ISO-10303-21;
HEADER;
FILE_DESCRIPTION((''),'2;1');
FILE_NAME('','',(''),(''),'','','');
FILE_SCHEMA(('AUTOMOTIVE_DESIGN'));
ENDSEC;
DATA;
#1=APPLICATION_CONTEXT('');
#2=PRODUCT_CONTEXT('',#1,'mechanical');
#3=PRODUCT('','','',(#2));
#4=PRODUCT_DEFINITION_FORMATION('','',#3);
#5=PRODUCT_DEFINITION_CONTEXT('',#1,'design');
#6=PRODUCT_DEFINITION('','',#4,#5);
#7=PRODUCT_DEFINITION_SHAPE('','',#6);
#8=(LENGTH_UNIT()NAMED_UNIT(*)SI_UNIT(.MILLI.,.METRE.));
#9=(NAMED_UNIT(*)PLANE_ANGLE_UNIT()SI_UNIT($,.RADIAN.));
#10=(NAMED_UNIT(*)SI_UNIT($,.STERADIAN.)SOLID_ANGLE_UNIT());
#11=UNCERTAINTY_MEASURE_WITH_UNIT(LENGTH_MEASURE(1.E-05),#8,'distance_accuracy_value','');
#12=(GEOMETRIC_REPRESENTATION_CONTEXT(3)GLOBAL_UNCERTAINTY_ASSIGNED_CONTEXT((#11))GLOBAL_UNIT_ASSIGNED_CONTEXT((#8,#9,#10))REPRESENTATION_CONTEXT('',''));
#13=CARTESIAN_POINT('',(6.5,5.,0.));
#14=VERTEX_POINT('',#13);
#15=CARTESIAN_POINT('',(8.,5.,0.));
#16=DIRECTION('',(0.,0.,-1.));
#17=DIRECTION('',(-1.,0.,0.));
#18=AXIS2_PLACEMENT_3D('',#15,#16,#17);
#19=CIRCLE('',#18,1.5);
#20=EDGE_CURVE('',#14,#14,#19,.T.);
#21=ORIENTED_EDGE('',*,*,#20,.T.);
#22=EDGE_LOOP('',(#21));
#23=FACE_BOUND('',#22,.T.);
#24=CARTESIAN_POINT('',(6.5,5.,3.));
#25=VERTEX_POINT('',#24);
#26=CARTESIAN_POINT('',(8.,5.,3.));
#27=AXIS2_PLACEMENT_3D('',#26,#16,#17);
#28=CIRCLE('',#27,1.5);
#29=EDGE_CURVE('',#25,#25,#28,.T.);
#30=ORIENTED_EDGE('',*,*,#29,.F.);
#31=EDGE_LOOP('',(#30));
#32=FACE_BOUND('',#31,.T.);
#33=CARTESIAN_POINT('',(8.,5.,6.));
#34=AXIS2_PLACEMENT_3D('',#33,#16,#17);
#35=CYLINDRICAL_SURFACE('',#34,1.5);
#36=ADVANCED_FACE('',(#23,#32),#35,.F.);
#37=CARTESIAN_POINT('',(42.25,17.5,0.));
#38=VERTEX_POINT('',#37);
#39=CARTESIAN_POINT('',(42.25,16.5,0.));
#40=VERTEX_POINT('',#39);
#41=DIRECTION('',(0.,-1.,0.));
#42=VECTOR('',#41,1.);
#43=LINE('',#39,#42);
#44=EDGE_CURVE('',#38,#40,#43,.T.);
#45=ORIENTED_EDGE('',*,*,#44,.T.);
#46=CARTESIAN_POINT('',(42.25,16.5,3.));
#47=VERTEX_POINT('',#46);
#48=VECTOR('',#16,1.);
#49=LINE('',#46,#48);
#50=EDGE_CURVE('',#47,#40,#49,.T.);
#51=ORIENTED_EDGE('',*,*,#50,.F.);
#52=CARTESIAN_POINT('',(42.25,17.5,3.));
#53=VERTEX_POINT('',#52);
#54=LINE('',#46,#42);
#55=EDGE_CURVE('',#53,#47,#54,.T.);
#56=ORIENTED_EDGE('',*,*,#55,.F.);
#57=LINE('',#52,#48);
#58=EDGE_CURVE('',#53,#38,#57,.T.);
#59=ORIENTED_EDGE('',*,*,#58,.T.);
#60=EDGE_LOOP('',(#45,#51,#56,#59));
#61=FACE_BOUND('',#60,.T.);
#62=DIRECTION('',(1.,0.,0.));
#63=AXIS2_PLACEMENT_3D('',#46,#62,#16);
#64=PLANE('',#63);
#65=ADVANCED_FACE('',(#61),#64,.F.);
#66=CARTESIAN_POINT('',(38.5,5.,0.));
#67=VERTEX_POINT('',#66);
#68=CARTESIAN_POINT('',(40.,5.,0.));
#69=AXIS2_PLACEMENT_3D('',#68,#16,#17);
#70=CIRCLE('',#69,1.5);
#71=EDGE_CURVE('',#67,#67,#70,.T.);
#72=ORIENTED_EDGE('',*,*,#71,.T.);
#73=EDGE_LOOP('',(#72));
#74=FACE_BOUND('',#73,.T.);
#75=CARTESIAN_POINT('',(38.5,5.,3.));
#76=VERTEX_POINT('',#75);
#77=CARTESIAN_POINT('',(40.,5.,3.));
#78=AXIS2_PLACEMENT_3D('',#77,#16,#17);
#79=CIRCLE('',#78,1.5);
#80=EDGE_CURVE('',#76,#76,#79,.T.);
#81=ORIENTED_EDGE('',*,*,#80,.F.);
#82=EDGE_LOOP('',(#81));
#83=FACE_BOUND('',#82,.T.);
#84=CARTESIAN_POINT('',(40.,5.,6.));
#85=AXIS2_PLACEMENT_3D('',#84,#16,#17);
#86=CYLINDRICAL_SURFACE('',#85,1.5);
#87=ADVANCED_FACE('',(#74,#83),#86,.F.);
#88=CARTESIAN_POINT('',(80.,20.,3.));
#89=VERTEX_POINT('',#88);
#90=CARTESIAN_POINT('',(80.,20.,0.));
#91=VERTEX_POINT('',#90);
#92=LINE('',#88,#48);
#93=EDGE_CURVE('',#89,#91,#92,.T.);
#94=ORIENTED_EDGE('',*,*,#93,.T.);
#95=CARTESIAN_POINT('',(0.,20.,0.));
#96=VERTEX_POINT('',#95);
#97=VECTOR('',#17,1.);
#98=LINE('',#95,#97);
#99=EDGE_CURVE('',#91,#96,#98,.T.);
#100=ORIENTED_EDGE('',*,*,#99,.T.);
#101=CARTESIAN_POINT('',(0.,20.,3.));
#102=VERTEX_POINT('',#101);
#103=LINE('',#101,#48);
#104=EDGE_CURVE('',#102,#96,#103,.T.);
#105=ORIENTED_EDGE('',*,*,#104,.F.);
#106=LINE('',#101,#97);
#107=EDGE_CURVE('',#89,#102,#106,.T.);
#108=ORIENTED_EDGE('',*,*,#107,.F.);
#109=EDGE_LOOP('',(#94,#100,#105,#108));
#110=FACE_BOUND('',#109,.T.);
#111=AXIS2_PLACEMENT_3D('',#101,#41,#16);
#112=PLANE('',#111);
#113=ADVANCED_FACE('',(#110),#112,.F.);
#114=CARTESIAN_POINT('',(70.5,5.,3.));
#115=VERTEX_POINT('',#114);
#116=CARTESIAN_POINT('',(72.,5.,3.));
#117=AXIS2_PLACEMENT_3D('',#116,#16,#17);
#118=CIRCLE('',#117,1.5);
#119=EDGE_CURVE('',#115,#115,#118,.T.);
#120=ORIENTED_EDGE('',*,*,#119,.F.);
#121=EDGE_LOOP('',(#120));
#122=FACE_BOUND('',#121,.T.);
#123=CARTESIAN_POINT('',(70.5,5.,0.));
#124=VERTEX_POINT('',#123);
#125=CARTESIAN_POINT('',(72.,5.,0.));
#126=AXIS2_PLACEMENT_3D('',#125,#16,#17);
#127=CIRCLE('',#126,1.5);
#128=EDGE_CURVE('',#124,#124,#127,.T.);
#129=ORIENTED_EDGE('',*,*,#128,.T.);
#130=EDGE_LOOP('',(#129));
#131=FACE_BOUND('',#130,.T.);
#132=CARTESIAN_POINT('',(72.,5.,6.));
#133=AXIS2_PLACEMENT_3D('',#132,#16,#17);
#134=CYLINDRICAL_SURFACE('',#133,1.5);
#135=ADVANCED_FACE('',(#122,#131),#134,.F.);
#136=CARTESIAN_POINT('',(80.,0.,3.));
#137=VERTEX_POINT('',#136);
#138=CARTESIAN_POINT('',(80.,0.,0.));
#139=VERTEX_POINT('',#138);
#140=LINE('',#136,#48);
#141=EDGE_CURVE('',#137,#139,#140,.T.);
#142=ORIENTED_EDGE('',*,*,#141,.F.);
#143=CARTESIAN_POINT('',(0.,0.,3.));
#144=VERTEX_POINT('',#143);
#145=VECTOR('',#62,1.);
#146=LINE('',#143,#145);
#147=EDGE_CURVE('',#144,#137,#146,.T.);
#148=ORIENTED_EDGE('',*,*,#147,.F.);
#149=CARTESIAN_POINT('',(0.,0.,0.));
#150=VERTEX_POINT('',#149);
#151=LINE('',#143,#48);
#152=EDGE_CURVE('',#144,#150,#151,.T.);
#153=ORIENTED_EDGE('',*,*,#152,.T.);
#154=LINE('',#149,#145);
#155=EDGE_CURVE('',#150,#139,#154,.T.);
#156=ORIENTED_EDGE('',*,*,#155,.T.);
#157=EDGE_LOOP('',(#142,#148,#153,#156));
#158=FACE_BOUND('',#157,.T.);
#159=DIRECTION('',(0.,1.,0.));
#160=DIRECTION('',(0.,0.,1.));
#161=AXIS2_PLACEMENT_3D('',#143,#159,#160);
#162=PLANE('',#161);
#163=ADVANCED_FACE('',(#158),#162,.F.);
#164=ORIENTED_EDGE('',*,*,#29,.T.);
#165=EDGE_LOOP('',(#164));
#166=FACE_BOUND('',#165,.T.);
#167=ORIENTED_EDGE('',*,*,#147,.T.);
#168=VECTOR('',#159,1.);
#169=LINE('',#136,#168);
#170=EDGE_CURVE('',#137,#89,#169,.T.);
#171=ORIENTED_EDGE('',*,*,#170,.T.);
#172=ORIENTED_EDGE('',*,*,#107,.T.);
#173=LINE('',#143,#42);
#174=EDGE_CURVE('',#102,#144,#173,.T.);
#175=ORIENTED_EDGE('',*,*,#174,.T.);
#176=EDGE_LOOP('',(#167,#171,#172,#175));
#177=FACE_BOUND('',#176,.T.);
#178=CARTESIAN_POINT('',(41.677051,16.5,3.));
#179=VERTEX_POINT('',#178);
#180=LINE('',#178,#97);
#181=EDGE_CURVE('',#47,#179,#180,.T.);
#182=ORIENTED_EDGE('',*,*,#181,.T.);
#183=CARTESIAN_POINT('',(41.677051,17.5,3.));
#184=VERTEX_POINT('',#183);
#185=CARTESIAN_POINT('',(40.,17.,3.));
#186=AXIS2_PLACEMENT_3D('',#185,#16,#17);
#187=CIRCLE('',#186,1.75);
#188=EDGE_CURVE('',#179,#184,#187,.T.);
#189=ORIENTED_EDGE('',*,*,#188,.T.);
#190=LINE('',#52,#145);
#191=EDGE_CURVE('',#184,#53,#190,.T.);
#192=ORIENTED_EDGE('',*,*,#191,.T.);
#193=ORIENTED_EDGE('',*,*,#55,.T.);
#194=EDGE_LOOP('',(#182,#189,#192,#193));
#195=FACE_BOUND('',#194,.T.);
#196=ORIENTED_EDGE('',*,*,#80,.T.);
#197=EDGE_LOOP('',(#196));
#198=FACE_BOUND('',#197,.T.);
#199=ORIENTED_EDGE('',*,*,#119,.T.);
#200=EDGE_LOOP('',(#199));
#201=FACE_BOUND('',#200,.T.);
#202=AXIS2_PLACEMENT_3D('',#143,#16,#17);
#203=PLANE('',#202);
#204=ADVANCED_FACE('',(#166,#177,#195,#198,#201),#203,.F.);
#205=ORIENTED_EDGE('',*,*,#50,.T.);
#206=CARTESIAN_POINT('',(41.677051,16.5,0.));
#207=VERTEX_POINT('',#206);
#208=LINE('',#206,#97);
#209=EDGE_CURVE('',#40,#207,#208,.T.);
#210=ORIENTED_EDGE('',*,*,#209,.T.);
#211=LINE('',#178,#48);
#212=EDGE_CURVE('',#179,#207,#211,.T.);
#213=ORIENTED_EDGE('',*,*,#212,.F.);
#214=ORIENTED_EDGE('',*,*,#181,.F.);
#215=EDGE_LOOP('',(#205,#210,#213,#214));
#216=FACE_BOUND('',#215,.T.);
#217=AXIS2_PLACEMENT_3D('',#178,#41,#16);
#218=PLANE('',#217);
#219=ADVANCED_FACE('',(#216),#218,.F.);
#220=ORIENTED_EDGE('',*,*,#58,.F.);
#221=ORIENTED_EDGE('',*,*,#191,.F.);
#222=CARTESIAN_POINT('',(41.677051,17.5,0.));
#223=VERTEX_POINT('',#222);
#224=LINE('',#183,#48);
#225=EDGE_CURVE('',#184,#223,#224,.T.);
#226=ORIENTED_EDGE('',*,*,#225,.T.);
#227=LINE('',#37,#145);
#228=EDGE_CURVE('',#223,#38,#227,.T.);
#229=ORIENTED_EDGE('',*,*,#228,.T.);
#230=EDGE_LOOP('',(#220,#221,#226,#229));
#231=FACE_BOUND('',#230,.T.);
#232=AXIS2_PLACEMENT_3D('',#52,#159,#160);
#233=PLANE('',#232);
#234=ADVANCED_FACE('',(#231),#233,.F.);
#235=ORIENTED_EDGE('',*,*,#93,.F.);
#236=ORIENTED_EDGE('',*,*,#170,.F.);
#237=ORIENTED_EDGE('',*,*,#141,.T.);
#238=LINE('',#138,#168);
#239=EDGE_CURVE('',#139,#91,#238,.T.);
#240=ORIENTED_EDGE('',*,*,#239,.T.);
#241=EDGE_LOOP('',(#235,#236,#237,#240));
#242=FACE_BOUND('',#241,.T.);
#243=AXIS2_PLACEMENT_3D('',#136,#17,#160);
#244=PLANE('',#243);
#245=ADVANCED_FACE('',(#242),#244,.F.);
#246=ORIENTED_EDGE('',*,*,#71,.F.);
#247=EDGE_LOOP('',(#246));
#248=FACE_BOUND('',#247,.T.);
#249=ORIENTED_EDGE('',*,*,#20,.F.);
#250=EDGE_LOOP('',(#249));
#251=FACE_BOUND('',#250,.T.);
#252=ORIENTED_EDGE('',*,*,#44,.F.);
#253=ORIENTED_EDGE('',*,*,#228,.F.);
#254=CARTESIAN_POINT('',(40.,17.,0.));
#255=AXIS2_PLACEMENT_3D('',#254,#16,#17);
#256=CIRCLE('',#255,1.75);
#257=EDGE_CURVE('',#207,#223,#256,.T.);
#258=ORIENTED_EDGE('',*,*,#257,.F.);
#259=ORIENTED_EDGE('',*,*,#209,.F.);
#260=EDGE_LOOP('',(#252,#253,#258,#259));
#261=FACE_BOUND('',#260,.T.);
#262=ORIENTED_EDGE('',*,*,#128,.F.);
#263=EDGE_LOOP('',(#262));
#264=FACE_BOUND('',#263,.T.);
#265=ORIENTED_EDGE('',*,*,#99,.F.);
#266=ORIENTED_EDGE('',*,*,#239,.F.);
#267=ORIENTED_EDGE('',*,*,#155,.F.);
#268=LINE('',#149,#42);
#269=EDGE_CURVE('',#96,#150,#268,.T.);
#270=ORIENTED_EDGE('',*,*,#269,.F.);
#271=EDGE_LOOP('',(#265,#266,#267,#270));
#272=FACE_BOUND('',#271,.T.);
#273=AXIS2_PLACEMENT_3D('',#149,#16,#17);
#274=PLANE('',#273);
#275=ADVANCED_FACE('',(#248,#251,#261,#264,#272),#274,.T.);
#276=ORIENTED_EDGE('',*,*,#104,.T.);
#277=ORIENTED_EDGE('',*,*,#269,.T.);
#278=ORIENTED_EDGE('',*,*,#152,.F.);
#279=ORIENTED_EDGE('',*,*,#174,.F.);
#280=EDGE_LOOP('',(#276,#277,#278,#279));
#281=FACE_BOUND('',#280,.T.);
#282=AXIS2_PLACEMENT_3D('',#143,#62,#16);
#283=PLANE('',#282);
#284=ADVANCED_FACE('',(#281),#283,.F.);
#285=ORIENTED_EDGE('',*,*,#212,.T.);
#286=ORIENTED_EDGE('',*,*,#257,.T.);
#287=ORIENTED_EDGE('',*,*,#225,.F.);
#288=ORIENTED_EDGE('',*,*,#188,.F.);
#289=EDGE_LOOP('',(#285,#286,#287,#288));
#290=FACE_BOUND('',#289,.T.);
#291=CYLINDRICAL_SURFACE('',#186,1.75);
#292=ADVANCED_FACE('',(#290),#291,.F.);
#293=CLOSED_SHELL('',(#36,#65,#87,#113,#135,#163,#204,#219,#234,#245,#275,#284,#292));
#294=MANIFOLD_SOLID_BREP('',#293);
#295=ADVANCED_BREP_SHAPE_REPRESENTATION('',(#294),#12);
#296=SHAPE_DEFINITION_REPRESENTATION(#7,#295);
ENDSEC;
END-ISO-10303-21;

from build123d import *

# Parameters (mm, degrees)
SKETCH1_W           = 80
SKETCH1_H           = 20
BOSS_EXTRUDE1_DEPTH = 3
SKETCH2_R           = 1.5
CUT_EXTRUDE1_DEPTH  = 6
CUT_EXTRUDE2_DEPTH  = 3


with BuildPart() as part:
    # Sketch1 → Boss-Extrude1 (new body)
    with BuildSketch(Plane.XY):
        with Locations((40, 10)):
            Rectangle(SKETCH1_W, SKETCH1_H)
    extrude(amount=BOSS_EXTRUDE1_DEPTH)

    # Sketch2 → Cut-Extrude1 (cut)
    with BuildSketch(Plane(origin=(88.772654641, -6.468882819, 0), x_dir=(-1, 0, 0), z_dir=(0, 0, -1))):
        with Locations((16.772654641, 11.468882819)):
            Circle(SKETCH2_R)
        with Locations((48.772654641, 11.468882819)):
            Circle(SKETCH2_R)
        with Locations((80.772654641, 11.468882819)):
            Circle(SKETCH2_R)
    extrude(amount=-CUT_EXTRUDE1_DEPTH, mode=Mode.SUBTRACT)

    # Sketch3 → Cut-Extrude2 (cut)
    with BuildSketch(Plane(origin=(88.772654641, -6.468882819, 0), x_dir=(-1, 0, 0), z_dir=(0, 0, -1))):
        with BuildLine():
            Line((46.522654641, 23.968882819), (47.095603657, 23.968882819))
            ThreePointArc((47.095603657, 23.968882819), (50.522654641, 23.468882819), (47.095603657, 22.968882819))
            Line((47.095603657, 22.968882819), (46.522654641, 22.968882819))
            Line((46.522654641, 22.968882819), (46.522654641, 23.968882819))
        make_face()
    extrude(amount=-CUT_EXTRUDE2_DEPTH, mode=Mode.SUBTRACT)


solid = part.part
